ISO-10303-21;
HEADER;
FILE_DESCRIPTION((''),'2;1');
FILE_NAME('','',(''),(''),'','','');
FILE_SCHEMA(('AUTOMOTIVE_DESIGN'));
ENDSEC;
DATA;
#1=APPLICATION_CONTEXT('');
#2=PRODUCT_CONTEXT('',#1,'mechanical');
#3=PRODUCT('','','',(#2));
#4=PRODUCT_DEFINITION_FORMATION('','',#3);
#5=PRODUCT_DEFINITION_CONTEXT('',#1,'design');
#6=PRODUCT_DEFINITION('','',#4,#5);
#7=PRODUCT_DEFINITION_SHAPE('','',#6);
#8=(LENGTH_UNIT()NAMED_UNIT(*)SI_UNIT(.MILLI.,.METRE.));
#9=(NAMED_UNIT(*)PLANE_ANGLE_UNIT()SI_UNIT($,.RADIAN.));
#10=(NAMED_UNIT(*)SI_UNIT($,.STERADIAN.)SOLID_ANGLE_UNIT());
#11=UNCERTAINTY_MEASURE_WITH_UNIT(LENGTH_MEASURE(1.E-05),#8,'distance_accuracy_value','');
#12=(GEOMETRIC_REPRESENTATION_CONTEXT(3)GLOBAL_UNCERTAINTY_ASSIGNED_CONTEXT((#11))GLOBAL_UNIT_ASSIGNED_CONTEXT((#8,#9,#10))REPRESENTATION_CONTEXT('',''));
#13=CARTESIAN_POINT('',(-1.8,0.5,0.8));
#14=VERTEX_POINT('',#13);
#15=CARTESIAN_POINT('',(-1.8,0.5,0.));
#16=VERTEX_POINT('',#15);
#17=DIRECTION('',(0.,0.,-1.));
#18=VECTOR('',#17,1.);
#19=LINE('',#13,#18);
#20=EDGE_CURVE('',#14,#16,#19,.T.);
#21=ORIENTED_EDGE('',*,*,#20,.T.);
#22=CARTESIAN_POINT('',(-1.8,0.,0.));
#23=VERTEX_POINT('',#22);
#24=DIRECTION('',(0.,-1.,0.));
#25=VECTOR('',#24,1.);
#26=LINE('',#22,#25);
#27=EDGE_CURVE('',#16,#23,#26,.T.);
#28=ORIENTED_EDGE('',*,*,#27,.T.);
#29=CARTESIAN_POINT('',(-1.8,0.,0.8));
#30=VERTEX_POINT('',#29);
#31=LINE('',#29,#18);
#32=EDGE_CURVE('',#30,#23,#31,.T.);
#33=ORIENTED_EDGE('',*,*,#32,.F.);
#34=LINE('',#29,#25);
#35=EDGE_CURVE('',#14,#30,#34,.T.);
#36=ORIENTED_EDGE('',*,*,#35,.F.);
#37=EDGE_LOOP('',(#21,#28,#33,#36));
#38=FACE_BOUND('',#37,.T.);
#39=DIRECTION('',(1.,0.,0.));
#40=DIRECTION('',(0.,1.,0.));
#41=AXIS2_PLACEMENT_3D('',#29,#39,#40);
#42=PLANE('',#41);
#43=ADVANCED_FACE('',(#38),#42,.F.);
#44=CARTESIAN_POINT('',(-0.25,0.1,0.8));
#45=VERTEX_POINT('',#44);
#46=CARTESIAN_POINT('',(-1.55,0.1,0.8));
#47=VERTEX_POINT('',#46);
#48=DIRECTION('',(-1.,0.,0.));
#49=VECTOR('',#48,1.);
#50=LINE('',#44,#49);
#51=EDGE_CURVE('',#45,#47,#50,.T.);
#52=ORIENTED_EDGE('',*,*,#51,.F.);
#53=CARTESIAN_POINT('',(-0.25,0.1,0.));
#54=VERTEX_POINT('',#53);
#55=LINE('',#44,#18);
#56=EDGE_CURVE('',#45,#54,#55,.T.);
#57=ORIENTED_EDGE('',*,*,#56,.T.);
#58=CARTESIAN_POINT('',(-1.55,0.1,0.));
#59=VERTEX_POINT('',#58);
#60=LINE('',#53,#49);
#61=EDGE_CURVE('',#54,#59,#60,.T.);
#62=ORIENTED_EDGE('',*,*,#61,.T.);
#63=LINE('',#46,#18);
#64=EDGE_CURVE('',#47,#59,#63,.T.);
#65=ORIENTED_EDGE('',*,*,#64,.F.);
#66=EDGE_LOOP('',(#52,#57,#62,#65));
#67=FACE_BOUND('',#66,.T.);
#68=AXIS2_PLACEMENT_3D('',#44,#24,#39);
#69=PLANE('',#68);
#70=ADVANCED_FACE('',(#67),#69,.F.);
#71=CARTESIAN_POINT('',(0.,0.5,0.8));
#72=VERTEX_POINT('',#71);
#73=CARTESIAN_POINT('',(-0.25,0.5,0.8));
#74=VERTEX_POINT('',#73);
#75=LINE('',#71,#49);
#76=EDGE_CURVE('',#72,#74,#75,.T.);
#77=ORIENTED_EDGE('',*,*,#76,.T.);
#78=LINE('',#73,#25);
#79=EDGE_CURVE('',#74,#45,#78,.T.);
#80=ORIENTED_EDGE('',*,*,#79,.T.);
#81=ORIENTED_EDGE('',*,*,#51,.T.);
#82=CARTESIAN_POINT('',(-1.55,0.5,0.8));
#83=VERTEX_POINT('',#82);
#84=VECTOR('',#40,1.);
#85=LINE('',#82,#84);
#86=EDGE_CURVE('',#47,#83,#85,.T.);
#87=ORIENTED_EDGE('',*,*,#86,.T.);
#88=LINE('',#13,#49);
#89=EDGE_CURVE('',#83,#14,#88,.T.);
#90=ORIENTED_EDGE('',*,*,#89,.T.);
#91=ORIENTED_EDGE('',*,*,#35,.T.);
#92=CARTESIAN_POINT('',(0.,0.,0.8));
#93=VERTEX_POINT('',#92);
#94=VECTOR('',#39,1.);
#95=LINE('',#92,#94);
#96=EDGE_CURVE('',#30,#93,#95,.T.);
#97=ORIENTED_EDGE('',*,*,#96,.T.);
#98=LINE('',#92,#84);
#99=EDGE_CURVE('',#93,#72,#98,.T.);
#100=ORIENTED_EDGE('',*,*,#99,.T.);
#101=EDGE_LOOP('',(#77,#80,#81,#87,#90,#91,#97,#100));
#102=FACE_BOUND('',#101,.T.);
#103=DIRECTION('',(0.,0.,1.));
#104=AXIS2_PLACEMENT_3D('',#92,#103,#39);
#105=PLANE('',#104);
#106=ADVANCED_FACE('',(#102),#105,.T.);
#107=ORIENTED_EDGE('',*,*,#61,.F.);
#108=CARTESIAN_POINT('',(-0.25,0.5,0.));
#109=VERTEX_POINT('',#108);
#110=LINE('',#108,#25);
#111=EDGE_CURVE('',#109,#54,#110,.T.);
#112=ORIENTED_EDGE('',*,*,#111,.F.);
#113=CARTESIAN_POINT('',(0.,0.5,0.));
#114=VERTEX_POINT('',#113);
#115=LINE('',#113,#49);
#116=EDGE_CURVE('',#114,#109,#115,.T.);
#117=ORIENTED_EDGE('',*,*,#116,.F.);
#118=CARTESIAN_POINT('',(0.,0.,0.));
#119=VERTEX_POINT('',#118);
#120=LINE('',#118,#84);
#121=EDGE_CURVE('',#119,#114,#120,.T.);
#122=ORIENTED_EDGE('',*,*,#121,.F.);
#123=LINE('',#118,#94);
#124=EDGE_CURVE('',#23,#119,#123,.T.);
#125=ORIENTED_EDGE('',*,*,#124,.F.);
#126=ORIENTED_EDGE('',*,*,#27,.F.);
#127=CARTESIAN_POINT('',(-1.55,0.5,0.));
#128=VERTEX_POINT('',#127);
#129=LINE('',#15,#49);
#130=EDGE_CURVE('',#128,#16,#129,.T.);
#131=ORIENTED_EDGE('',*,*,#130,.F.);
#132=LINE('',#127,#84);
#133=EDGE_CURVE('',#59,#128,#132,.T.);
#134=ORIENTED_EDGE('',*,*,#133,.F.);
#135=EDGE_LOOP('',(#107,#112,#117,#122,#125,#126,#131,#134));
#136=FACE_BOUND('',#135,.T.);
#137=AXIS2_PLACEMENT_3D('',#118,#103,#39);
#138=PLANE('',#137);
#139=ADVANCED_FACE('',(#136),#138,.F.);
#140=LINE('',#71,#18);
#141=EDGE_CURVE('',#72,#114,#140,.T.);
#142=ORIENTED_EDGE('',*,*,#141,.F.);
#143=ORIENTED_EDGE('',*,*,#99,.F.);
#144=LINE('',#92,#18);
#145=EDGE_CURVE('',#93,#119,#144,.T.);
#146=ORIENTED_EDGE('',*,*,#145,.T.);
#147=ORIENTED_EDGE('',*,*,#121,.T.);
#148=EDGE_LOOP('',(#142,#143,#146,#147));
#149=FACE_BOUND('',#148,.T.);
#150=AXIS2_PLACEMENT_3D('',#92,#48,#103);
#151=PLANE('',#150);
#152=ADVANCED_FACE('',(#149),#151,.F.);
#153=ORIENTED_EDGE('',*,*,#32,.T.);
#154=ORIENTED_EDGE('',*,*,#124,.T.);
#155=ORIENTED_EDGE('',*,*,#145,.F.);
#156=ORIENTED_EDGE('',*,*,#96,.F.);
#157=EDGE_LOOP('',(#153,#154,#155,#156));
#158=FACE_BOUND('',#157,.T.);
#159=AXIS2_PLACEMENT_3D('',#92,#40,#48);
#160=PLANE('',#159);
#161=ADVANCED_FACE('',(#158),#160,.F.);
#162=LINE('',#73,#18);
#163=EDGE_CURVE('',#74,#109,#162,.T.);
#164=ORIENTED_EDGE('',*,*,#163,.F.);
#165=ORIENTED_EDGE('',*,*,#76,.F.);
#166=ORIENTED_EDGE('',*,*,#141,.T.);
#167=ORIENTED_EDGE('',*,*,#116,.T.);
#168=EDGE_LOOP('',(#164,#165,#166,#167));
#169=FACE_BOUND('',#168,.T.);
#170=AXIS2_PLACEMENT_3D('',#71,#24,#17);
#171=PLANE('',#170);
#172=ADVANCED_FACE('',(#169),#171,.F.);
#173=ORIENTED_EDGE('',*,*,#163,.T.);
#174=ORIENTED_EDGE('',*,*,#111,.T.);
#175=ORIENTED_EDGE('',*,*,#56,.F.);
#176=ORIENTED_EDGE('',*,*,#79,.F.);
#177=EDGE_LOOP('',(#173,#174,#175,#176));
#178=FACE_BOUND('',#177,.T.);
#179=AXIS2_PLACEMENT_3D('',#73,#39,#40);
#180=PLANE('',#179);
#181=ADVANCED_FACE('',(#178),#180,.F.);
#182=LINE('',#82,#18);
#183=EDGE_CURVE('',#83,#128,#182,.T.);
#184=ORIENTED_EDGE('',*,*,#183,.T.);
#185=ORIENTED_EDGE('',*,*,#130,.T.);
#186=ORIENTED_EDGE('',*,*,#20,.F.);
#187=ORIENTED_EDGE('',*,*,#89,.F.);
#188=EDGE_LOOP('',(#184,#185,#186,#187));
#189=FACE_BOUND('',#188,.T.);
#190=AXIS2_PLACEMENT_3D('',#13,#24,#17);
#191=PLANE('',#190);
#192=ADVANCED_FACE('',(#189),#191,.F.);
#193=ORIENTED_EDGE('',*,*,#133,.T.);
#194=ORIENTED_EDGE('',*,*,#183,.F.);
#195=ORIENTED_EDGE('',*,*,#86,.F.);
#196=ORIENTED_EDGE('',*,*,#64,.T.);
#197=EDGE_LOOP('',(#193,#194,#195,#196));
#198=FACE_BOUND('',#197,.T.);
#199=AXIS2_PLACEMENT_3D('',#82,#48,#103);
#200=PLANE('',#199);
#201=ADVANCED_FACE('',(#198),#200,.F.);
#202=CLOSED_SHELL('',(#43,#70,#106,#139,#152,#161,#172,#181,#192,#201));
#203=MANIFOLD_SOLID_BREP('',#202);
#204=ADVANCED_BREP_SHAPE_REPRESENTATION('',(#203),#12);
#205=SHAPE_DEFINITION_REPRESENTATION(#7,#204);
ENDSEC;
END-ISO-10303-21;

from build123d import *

# Parameters (mm, degrees)
BOSS_EXTRUDE3_DEPTH = 0.8


with BuildPart() as part:
    # Sketch4 → Boss-Extrude3 (new body)
    with BuildSketch(Plane.XY):
        Polygon((-1.8, 0.5), (-1.55, 0.5), (-1.55, 0.1), (-0.25, 0.1), (-0.25, 0.5), (0, 0.5), (0, 0), (-1.8, 0), align=None)
    extrude(amount=BOSS_EXTRUDE3_DEPTH)


solid = part.part
